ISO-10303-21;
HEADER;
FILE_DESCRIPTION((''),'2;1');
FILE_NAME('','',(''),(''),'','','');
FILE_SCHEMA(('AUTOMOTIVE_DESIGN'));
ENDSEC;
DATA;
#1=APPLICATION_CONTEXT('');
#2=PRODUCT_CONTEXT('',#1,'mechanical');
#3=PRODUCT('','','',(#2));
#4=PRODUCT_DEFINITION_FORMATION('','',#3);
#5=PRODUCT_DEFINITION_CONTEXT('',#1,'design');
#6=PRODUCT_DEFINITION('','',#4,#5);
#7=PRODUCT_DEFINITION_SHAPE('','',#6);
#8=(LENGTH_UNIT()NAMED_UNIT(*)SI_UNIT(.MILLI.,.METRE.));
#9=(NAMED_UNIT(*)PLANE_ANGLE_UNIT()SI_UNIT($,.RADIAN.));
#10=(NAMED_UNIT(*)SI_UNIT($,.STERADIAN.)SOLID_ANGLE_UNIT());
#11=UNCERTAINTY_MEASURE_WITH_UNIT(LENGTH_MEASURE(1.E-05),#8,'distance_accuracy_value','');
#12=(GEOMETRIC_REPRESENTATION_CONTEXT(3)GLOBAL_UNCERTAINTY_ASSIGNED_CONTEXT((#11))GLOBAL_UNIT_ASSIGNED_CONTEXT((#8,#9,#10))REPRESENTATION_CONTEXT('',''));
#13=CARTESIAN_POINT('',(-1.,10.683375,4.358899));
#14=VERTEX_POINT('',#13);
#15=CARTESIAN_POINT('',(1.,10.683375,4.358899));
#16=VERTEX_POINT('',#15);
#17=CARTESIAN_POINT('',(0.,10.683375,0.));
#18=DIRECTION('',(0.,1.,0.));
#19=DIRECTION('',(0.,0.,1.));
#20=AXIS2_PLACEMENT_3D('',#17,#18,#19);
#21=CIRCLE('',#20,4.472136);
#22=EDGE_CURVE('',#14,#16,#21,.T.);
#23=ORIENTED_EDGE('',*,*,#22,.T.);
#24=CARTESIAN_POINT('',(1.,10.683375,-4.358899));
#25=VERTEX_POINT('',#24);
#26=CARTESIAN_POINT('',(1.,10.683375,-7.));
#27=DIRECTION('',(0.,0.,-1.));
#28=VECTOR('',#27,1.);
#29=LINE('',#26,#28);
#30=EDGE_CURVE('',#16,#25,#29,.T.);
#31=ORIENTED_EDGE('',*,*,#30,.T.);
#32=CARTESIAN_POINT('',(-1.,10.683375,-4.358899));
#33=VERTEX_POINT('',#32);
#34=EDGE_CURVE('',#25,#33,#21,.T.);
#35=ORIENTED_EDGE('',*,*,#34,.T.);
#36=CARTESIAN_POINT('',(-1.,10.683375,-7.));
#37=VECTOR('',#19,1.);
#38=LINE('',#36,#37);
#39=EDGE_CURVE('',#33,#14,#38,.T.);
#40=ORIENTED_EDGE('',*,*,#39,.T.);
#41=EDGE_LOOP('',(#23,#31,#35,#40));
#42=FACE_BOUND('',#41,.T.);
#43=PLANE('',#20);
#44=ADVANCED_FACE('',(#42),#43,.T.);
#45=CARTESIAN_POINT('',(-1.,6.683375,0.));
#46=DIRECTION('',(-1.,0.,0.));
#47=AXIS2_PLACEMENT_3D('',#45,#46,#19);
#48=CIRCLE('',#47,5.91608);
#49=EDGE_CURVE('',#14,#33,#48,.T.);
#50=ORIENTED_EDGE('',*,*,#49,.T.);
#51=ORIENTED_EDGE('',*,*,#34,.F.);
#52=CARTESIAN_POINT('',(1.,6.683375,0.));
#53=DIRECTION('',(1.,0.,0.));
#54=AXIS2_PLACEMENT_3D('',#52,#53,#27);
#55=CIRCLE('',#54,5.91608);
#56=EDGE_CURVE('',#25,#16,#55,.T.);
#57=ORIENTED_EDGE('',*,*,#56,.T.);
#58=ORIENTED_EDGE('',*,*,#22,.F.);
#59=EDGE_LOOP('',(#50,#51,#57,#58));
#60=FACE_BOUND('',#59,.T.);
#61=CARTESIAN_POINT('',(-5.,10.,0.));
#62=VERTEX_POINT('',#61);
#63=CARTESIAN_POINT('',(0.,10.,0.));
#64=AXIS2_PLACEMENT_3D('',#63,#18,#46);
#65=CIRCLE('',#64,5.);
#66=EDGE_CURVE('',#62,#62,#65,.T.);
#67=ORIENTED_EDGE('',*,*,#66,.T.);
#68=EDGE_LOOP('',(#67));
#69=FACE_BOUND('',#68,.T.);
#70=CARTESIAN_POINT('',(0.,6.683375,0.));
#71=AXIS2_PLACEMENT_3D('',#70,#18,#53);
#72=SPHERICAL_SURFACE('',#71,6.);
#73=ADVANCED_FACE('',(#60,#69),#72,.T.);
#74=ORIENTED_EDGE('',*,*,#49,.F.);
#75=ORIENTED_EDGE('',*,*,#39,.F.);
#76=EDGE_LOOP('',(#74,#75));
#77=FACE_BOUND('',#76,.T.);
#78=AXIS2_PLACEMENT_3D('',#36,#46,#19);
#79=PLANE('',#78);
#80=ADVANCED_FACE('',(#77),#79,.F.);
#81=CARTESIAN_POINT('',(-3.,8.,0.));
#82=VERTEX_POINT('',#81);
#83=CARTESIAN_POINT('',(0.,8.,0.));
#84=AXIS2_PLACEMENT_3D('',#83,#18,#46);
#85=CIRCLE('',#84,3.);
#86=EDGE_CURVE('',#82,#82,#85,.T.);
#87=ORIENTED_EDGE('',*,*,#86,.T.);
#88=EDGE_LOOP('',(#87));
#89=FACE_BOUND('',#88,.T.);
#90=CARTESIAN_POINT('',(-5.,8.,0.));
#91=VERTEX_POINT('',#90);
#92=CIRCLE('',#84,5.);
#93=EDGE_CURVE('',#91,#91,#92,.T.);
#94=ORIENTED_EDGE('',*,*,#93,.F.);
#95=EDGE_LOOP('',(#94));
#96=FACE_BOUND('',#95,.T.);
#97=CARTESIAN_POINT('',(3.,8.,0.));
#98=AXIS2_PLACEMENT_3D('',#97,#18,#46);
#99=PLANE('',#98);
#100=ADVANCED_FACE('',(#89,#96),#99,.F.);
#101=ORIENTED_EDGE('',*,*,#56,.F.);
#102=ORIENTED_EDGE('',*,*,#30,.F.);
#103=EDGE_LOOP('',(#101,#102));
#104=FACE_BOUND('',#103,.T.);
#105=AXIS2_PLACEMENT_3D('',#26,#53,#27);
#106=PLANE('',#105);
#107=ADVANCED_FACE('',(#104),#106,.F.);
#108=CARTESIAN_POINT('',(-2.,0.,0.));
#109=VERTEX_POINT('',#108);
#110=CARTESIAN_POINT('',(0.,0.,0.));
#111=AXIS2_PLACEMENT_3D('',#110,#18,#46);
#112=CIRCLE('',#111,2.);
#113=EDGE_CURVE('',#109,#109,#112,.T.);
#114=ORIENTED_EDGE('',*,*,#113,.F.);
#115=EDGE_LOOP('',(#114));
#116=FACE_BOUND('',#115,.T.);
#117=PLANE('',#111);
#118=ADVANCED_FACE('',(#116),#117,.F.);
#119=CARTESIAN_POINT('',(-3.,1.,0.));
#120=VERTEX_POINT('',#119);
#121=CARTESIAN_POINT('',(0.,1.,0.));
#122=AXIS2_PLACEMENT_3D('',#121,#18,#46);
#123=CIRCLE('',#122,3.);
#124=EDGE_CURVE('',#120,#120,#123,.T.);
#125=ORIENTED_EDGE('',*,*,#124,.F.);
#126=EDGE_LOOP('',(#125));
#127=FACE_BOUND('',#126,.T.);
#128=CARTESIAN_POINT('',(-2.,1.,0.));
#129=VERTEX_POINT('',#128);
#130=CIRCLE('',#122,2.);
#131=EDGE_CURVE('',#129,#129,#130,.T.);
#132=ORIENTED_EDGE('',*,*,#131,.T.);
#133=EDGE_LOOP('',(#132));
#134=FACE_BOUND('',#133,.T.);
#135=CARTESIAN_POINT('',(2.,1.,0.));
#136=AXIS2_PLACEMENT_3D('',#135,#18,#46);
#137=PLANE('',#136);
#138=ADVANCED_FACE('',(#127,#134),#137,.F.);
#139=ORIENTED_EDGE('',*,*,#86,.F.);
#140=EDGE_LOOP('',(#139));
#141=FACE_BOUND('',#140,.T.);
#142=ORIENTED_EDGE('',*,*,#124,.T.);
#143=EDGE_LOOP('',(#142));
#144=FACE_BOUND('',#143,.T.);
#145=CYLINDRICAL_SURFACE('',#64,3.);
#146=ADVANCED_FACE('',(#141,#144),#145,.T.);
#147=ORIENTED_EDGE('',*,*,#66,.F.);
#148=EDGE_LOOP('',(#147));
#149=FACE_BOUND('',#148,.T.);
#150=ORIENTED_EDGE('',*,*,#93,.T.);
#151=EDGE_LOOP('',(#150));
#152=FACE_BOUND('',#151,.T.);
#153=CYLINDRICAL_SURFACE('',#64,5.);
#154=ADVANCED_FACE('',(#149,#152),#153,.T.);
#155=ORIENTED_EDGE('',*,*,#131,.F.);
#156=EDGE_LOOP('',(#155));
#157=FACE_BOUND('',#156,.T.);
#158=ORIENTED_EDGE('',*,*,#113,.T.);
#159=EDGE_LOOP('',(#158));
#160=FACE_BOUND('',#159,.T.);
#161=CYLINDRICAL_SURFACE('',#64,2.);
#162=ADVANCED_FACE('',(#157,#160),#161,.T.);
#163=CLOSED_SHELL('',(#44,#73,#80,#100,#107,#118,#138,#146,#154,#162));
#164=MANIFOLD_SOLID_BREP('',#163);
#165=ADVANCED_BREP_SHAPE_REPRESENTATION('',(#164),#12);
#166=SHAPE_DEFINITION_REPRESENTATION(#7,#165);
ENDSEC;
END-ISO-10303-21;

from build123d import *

# Parameters (mm, degrees)
SKETCH5_W          = 2
SKETCH5_H          = 14
CUT_EXTRUDE1_DEPTH = 2


with BuildPart() as part:
    # Sketch1 → Revolve1 (revolve)
    with BuildSketch(Plane.XY):
        with BuildLine():
            Line((0, 0), (2, 0))
            Line((2, 0), (2, 1))
            Line((2, 1), (3, 1))
            Line((3, 1), (3, 8))
            Line((3, 8), (5, 8))
            Line((5, 8), (5, 10))
            ThreePointArc((5, 10), (2.837274331, 11.970139283), (0, 12.68337521))
            Line((0, 12.68337521), (0, 10))
            Line((0, 10), (0, 0))
        make_face()
    revolve(axis=Axis((0, 10, 0), (0, -1, 0)))

    # Sketch5 → Cut-Extrude1 (cut)
    with BuildSketch(Plane(origin=(0, 12.68337521, 0), x_dir=(1, 0, 0), z_dir=(0, 1, 0))):
        Rectangle(SKETCH5_W, SKETCH5_H)
    extrude(amount=-CUT_EXTRUDE1_DEPTH, mode=Mode.SUBTRACT)


solid = part.part
